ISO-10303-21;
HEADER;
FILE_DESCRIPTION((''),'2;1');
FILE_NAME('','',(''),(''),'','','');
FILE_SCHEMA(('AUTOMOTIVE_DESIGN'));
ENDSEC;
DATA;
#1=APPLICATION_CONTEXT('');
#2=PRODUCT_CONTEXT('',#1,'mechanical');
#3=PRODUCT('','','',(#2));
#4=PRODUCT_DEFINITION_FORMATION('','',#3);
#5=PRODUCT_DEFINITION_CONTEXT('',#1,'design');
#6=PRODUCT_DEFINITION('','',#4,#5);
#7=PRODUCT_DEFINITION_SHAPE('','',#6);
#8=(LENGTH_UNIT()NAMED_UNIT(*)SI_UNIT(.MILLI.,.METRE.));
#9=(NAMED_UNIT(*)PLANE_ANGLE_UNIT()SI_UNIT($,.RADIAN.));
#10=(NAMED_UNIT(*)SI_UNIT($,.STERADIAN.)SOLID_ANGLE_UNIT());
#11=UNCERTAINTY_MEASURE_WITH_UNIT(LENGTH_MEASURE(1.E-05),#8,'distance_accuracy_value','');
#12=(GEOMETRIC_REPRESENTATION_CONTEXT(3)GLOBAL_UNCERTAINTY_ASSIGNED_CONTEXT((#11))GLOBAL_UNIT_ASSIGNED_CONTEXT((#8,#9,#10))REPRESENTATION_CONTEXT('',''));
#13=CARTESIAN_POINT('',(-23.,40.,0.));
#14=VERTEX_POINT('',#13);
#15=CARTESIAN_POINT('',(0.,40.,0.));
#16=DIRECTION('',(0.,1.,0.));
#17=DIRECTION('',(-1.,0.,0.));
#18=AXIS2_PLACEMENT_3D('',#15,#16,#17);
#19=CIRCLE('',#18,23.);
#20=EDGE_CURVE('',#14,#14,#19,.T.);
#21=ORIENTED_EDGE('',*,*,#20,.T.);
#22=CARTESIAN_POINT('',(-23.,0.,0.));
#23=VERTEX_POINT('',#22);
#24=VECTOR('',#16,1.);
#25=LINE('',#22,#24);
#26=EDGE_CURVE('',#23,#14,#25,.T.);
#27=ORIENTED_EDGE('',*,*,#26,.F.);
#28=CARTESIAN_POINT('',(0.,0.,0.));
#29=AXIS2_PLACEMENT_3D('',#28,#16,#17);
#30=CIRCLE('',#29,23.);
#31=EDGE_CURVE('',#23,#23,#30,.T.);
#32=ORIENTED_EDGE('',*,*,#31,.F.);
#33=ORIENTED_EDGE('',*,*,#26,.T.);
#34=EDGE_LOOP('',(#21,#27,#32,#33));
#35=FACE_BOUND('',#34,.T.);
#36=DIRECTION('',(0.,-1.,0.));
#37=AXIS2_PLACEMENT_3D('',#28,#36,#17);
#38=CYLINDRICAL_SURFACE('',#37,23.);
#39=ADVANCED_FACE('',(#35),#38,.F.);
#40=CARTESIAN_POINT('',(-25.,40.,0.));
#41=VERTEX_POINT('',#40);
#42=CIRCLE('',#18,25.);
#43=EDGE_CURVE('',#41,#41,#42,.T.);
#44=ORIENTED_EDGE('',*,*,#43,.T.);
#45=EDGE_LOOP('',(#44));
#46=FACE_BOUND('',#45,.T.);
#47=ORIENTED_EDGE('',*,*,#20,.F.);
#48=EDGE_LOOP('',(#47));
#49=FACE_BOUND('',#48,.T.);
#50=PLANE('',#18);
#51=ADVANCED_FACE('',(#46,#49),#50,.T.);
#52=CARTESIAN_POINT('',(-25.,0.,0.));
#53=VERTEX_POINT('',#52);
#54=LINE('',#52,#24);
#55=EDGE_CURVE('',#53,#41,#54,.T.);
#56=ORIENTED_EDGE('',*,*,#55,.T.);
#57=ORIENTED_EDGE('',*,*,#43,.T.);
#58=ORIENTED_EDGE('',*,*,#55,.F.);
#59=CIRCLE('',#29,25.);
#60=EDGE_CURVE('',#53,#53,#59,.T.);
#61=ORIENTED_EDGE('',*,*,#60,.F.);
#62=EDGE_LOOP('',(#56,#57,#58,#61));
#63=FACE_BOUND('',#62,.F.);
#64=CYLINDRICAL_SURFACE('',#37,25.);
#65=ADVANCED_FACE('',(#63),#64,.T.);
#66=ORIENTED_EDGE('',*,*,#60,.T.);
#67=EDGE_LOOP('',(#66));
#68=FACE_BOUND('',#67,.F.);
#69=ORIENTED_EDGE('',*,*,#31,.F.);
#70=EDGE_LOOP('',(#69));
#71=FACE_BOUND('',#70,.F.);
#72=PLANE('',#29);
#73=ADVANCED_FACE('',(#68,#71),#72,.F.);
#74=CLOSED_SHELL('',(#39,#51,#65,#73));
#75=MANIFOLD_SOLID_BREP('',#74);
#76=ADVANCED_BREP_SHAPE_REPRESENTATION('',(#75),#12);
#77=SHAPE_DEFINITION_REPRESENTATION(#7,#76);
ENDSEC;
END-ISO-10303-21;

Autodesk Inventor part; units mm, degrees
ref_plane "YZ Plane" through (0, 0, 0) normal (1, 0, 0) x (0, 1, 0)
ref_plane "XZ Plane" through (0, 0, 0) normal (0, 1, 0) x (-1, 0, 0)
ref_plane "XY Plane" through (0, 0, 0) normal (0, 0, 1) x (1, 0, 0)
sketch "スケッチ1" plane through (0, 0, 0) normal (0, 1, 0) x (-1, 0, 0)
  circle A0 centre (0, 0) radius 23
  circle A1 centre (0, 0) radius 25
  dimension "d0" = 46
  dimension "d1" = 50
extrude "押し出し1" add sketch "スケッチ1" along normal blind 40
properties part number "Camera_pipe"
